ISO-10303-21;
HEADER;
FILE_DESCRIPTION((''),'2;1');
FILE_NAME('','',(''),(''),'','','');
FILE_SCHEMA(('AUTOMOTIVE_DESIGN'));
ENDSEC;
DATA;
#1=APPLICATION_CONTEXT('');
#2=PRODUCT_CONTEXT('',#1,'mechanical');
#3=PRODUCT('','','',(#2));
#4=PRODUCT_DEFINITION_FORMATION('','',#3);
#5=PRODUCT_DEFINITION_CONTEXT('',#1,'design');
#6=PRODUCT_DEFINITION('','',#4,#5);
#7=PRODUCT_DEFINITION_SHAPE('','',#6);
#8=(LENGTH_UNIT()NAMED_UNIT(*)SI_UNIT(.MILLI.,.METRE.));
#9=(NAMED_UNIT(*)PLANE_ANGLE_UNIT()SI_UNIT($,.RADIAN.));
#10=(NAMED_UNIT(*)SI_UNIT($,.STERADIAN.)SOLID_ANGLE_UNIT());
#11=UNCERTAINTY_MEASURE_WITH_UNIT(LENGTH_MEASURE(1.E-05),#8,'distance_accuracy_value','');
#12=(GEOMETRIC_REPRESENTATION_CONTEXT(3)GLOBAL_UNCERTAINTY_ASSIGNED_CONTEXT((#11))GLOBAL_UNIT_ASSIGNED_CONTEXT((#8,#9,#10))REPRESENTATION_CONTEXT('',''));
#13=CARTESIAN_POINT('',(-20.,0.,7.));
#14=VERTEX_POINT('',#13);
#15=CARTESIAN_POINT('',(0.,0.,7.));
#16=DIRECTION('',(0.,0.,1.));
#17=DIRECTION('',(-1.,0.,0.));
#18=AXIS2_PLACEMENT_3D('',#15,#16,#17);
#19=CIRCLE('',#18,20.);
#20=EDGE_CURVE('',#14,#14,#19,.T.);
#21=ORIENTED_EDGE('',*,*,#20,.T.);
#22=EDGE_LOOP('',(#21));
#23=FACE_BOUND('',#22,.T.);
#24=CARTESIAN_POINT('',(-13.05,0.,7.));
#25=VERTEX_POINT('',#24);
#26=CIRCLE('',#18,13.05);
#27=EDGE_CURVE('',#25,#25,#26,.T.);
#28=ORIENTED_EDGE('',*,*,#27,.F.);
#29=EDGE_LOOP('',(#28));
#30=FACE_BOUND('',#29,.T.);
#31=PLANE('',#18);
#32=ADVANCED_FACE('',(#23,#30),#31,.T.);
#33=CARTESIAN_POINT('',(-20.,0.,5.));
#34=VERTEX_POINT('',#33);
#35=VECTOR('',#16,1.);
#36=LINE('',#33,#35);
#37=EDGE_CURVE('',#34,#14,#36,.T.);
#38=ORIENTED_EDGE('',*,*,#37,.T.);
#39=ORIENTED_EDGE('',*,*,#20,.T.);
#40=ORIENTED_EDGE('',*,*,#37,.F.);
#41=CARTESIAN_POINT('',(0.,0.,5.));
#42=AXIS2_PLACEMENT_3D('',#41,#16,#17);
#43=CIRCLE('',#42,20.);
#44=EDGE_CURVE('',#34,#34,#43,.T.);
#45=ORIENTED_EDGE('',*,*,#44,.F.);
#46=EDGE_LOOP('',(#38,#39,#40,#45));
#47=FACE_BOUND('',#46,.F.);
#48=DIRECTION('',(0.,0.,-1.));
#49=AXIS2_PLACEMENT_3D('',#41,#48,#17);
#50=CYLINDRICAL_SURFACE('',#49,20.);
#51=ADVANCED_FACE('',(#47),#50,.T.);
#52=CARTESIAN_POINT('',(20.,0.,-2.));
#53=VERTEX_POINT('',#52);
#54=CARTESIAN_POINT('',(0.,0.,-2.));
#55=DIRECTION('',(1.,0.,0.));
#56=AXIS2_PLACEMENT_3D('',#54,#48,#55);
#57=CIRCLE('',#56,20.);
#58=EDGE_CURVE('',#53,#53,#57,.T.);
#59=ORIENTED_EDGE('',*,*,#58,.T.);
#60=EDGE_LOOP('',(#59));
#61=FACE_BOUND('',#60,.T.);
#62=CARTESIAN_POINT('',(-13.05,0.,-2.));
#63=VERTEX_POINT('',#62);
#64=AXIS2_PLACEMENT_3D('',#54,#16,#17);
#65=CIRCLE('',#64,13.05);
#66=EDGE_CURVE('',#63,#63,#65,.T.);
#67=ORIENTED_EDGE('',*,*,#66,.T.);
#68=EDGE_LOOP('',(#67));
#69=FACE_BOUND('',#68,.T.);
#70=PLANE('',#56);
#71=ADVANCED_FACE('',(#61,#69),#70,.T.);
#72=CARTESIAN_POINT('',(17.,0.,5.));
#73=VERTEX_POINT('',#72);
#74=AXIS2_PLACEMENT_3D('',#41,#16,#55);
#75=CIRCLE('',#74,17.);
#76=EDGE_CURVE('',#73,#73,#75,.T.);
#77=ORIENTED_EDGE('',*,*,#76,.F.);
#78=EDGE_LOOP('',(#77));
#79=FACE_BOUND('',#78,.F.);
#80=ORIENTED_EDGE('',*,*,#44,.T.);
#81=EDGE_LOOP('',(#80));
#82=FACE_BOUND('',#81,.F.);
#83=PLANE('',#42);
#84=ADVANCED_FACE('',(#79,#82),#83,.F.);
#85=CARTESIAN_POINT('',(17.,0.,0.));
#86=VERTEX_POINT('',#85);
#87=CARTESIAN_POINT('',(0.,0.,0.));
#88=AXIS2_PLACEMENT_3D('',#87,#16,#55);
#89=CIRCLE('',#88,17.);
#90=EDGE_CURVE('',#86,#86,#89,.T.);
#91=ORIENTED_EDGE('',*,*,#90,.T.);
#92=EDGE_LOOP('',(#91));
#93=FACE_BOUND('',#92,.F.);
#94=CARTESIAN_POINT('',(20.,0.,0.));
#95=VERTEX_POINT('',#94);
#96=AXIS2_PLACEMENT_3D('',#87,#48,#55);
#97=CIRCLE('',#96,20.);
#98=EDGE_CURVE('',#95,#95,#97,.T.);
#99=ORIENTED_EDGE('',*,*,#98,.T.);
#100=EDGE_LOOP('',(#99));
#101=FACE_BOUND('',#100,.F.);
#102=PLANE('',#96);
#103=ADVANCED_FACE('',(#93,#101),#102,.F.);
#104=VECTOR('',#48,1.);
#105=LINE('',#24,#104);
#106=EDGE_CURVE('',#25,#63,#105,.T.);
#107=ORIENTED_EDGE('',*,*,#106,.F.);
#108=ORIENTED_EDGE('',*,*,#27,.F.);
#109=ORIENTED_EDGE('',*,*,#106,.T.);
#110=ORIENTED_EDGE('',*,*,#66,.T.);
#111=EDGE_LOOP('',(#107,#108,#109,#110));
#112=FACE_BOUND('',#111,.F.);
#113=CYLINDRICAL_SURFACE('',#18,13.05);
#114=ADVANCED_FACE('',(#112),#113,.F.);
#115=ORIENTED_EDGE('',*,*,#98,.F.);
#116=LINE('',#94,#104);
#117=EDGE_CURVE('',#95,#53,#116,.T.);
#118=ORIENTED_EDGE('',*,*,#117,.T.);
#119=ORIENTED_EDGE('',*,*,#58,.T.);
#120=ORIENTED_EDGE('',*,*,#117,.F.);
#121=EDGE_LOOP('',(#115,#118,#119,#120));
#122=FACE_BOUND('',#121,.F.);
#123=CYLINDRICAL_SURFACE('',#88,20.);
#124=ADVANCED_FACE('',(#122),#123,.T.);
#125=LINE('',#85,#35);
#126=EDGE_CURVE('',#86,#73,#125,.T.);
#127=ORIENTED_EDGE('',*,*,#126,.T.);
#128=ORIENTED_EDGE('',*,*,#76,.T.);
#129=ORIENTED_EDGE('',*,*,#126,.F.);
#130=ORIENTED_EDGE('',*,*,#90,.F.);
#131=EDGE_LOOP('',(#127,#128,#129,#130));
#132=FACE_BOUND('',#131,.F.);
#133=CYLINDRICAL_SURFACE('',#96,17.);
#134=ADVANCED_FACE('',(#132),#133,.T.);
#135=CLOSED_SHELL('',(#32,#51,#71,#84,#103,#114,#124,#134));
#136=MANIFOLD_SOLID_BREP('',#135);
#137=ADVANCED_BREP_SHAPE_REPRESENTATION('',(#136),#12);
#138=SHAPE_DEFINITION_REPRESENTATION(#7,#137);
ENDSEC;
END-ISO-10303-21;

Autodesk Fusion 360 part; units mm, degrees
sketch "Skizze1" plane through (0, 0, 0) normal (0, 0, 1) x (1, 0, 0)
  circle A0 centre (0, 0) radius 17
  dimension "d1" = 34
extrude "Extrusion1" add sketch "Skizze1" along normal blind 5
sketch "Skizze2" plane through (0, 0, 5) normal (0, 0, 1) x (-1, 0, 0)
  circle A0 centre (0, 0) radius 17
  circle A1 centre (0, 0) radius 20
  dimension "d5" = 40
extrude "Extrusion2" add sketch "Skizze2" along normal blind 2 contours A0 | A1
sketch "Skizze3" plane through (0, 0, 0) normal (0, 0, -1) x (1, 0, 0)
  circle A0 centre (0, 0) radius 17
  circle A1 centre (0, 0) radius 20
  dimension "d8" = 40
extrude "Extrusion3" add sketch "Skizze3" along normal blind 2 contours A0 | A1
sketch "Skizze4" plane through (0, 0, 7) normal (0, 0, 1) x (-1, 0, 0)
  circle A0 centre (0, 0) radius 20
  circle A1 centre (0, 0) radius 13.05
  dimension "d11" = 26.1
extrude "Extrusion4" cut sketch "Skizze4" against normal blind 23 contours A1
